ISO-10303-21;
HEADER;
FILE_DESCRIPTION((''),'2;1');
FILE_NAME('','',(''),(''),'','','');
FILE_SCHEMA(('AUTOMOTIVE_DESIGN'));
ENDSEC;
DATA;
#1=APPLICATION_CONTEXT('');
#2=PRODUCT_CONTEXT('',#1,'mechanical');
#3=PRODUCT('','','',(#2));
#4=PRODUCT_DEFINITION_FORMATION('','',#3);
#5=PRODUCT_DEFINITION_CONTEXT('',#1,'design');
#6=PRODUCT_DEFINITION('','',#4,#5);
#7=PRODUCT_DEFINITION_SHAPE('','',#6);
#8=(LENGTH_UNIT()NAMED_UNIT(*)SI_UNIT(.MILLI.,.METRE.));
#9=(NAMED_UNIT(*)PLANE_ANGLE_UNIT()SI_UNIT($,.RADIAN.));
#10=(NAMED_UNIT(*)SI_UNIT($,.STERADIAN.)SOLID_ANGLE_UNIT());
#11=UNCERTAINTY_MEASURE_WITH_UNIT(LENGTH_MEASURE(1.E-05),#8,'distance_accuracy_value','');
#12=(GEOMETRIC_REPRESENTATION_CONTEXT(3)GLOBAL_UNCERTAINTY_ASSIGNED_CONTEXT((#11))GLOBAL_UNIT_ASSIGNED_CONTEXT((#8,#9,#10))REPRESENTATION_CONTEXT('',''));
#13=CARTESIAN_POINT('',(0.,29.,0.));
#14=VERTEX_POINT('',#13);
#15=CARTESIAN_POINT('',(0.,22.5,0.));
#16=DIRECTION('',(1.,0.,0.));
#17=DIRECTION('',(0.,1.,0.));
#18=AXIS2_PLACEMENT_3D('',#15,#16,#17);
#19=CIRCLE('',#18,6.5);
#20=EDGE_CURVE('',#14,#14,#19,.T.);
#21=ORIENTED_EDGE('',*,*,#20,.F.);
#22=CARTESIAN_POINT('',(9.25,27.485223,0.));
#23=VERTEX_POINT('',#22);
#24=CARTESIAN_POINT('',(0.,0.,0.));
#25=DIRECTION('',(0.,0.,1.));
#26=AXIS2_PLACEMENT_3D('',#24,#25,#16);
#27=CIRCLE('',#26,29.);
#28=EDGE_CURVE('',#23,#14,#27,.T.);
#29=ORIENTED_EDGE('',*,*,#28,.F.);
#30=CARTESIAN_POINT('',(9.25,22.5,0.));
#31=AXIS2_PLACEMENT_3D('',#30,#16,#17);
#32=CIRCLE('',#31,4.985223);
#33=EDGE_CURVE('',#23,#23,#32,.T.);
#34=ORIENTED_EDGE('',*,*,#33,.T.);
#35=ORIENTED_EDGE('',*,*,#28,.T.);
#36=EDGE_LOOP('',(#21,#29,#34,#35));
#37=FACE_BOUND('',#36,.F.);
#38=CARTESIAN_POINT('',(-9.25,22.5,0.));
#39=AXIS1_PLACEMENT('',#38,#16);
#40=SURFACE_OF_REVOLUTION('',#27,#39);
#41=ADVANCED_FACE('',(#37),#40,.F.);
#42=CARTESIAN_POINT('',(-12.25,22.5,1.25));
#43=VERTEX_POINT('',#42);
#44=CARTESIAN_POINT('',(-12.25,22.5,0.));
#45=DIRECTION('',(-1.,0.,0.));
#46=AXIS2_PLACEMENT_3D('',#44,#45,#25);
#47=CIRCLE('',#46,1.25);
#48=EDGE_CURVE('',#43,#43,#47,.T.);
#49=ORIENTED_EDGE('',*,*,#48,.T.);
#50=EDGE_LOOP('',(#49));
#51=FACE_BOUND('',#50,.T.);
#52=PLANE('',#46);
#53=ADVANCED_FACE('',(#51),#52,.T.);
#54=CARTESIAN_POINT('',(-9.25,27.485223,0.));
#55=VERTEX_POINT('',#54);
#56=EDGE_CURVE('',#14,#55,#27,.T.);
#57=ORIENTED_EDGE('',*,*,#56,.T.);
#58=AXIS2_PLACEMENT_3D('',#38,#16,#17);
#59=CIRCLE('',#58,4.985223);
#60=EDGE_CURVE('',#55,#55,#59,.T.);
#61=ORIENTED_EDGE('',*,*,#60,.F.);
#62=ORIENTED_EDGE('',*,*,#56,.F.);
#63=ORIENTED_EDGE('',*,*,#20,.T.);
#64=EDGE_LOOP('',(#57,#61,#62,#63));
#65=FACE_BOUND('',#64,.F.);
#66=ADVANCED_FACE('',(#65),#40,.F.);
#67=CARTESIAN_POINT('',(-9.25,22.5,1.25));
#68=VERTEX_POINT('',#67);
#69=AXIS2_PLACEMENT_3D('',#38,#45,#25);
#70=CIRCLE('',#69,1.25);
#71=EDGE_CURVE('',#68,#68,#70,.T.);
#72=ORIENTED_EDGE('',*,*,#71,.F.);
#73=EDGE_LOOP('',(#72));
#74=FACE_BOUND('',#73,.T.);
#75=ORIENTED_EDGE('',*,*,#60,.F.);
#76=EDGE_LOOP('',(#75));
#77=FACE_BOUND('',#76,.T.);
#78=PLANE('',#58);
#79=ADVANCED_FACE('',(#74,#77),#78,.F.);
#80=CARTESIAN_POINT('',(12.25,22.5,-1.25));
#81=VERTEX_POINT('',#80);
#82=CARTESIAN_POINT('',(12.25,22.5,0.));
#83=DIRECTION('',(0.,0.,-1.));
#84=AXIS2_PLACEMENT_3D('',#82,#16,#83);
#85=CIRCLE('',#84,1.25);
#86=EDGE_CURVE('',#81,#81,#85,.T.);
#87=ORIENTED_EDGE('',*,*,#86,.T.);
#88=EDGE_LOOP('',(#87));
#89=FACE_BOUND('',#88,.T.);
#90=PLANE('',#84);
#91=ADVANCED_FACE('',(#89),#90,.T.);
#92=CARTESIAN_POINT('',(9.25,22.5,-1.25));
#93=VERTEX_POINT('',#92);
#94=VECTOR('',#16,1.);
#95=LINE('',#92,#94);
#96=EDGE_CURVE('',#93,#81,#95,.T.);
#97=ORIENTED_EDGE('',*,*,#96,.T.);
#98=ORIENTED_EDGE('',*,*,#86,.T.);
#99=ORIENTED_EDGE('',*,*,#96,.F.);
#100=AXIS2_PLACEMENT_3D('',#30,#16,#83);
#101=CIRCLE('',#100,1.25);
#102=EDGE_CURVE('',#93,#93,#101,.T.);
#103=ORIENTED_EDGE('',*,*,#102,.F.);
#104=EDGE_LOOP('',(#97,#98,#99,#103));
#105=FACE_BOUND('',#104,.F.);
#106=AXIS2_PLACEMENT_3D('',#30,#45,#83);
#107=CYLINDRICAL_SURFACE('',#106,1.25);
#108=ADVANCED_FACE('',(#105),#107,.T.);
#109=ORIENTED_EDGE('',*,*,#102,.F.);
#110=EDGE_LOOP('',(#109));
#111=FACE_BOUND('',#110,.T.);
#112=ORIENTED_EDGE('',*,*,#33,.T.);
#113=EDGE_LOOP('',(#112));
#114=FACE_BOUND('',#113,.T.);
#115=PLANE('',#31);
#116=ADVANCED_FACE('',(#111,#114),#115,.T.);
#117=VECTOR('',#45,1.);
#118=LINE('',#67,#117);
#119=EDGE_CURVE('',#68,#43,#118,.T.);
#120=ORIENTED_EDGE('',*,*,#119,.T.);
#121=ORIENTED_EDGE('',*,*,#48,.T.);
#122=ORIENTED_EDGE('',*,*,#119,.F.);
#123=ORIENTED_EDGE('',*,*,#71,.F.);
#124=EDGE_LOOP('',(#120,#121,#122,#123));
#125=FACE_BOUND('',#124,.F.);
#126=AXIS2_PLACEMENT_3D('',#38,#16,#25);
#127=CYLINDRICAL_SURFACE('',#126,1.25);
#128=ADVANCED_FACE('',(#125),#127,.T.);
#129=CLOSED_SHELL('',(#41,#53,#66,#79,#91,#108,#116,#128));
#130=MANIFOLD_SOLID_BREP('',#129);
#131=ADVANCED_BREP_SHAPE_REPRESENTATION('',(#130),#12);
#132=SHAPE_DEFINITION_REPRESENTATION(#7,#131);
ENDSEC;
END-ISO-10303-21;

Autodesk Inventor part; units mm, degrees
ref_plane "YZ Plane" through (0, 0, 0) normal (1, 0, 0) x (0, 1, 0)
ref_plane "XZ Plane" through (0, 0, 0) normal (0, 1, 0) x (-1, 0, 0)
ref_plane "XY Plane" through (0, 0, 0) normal (0, 0, 1) x (1, 0, 0)
sketch "スケッチ1" plane through (0, 0, 0) normal (0, 0, 1) x (1, 0, 0)
  circle A0 centre (0, 0) radius 29
  line L0 (-9.25, 29) -> (9.25, 29)
  line L1 (9.25, 29) -> (9.25, 0)
  line L2 (9.25, 0) -> (-9.25, 0)
  line L3 (-9.25, 0) -> (-9.25, 29)
  line L4 (-9.25, 22.5) -> (9.25, 22.5)
  point P0 (9.25, 27.4852)
  point P1 (-9.25, 27.4852)
  dimension "d0" = 58
  dimension "d1" = 18.5
  dimension "d2" = 6.5
revolve "回転1" add sketch "スケッチ1" angle 360 about axis through (-9.25, 22.5, 0) along (1, 0, 0) contours L1 L4 L3 A0
sketch "スケッチ2" plane through (-9.25, 22.5, 0) normal (-1, 0, 0) x (0, 0, 1)
  circle A0 centre (0, 0) radius 1.25
  circle A1 centre (0, 0) radius 4.9852 projected
  point P0 (0, -22.5)
  dimension "d4" = 2.5
extrude "押し出し1" add sketch "スケッチ2" along normal blind 3 contours A0
sketch "スケッチ3" plane through (9.25, 22.5, 0) normal (1, 0, 0) x (0, 0, -1)
  circle A0 centre (0, 0) radius 1.25 projected
  point P0 (0, -22.5)
extrude "押し出し2" add sketch "スケッチ3" along normal blind 3
properties part number "roller" material "ゴム"
